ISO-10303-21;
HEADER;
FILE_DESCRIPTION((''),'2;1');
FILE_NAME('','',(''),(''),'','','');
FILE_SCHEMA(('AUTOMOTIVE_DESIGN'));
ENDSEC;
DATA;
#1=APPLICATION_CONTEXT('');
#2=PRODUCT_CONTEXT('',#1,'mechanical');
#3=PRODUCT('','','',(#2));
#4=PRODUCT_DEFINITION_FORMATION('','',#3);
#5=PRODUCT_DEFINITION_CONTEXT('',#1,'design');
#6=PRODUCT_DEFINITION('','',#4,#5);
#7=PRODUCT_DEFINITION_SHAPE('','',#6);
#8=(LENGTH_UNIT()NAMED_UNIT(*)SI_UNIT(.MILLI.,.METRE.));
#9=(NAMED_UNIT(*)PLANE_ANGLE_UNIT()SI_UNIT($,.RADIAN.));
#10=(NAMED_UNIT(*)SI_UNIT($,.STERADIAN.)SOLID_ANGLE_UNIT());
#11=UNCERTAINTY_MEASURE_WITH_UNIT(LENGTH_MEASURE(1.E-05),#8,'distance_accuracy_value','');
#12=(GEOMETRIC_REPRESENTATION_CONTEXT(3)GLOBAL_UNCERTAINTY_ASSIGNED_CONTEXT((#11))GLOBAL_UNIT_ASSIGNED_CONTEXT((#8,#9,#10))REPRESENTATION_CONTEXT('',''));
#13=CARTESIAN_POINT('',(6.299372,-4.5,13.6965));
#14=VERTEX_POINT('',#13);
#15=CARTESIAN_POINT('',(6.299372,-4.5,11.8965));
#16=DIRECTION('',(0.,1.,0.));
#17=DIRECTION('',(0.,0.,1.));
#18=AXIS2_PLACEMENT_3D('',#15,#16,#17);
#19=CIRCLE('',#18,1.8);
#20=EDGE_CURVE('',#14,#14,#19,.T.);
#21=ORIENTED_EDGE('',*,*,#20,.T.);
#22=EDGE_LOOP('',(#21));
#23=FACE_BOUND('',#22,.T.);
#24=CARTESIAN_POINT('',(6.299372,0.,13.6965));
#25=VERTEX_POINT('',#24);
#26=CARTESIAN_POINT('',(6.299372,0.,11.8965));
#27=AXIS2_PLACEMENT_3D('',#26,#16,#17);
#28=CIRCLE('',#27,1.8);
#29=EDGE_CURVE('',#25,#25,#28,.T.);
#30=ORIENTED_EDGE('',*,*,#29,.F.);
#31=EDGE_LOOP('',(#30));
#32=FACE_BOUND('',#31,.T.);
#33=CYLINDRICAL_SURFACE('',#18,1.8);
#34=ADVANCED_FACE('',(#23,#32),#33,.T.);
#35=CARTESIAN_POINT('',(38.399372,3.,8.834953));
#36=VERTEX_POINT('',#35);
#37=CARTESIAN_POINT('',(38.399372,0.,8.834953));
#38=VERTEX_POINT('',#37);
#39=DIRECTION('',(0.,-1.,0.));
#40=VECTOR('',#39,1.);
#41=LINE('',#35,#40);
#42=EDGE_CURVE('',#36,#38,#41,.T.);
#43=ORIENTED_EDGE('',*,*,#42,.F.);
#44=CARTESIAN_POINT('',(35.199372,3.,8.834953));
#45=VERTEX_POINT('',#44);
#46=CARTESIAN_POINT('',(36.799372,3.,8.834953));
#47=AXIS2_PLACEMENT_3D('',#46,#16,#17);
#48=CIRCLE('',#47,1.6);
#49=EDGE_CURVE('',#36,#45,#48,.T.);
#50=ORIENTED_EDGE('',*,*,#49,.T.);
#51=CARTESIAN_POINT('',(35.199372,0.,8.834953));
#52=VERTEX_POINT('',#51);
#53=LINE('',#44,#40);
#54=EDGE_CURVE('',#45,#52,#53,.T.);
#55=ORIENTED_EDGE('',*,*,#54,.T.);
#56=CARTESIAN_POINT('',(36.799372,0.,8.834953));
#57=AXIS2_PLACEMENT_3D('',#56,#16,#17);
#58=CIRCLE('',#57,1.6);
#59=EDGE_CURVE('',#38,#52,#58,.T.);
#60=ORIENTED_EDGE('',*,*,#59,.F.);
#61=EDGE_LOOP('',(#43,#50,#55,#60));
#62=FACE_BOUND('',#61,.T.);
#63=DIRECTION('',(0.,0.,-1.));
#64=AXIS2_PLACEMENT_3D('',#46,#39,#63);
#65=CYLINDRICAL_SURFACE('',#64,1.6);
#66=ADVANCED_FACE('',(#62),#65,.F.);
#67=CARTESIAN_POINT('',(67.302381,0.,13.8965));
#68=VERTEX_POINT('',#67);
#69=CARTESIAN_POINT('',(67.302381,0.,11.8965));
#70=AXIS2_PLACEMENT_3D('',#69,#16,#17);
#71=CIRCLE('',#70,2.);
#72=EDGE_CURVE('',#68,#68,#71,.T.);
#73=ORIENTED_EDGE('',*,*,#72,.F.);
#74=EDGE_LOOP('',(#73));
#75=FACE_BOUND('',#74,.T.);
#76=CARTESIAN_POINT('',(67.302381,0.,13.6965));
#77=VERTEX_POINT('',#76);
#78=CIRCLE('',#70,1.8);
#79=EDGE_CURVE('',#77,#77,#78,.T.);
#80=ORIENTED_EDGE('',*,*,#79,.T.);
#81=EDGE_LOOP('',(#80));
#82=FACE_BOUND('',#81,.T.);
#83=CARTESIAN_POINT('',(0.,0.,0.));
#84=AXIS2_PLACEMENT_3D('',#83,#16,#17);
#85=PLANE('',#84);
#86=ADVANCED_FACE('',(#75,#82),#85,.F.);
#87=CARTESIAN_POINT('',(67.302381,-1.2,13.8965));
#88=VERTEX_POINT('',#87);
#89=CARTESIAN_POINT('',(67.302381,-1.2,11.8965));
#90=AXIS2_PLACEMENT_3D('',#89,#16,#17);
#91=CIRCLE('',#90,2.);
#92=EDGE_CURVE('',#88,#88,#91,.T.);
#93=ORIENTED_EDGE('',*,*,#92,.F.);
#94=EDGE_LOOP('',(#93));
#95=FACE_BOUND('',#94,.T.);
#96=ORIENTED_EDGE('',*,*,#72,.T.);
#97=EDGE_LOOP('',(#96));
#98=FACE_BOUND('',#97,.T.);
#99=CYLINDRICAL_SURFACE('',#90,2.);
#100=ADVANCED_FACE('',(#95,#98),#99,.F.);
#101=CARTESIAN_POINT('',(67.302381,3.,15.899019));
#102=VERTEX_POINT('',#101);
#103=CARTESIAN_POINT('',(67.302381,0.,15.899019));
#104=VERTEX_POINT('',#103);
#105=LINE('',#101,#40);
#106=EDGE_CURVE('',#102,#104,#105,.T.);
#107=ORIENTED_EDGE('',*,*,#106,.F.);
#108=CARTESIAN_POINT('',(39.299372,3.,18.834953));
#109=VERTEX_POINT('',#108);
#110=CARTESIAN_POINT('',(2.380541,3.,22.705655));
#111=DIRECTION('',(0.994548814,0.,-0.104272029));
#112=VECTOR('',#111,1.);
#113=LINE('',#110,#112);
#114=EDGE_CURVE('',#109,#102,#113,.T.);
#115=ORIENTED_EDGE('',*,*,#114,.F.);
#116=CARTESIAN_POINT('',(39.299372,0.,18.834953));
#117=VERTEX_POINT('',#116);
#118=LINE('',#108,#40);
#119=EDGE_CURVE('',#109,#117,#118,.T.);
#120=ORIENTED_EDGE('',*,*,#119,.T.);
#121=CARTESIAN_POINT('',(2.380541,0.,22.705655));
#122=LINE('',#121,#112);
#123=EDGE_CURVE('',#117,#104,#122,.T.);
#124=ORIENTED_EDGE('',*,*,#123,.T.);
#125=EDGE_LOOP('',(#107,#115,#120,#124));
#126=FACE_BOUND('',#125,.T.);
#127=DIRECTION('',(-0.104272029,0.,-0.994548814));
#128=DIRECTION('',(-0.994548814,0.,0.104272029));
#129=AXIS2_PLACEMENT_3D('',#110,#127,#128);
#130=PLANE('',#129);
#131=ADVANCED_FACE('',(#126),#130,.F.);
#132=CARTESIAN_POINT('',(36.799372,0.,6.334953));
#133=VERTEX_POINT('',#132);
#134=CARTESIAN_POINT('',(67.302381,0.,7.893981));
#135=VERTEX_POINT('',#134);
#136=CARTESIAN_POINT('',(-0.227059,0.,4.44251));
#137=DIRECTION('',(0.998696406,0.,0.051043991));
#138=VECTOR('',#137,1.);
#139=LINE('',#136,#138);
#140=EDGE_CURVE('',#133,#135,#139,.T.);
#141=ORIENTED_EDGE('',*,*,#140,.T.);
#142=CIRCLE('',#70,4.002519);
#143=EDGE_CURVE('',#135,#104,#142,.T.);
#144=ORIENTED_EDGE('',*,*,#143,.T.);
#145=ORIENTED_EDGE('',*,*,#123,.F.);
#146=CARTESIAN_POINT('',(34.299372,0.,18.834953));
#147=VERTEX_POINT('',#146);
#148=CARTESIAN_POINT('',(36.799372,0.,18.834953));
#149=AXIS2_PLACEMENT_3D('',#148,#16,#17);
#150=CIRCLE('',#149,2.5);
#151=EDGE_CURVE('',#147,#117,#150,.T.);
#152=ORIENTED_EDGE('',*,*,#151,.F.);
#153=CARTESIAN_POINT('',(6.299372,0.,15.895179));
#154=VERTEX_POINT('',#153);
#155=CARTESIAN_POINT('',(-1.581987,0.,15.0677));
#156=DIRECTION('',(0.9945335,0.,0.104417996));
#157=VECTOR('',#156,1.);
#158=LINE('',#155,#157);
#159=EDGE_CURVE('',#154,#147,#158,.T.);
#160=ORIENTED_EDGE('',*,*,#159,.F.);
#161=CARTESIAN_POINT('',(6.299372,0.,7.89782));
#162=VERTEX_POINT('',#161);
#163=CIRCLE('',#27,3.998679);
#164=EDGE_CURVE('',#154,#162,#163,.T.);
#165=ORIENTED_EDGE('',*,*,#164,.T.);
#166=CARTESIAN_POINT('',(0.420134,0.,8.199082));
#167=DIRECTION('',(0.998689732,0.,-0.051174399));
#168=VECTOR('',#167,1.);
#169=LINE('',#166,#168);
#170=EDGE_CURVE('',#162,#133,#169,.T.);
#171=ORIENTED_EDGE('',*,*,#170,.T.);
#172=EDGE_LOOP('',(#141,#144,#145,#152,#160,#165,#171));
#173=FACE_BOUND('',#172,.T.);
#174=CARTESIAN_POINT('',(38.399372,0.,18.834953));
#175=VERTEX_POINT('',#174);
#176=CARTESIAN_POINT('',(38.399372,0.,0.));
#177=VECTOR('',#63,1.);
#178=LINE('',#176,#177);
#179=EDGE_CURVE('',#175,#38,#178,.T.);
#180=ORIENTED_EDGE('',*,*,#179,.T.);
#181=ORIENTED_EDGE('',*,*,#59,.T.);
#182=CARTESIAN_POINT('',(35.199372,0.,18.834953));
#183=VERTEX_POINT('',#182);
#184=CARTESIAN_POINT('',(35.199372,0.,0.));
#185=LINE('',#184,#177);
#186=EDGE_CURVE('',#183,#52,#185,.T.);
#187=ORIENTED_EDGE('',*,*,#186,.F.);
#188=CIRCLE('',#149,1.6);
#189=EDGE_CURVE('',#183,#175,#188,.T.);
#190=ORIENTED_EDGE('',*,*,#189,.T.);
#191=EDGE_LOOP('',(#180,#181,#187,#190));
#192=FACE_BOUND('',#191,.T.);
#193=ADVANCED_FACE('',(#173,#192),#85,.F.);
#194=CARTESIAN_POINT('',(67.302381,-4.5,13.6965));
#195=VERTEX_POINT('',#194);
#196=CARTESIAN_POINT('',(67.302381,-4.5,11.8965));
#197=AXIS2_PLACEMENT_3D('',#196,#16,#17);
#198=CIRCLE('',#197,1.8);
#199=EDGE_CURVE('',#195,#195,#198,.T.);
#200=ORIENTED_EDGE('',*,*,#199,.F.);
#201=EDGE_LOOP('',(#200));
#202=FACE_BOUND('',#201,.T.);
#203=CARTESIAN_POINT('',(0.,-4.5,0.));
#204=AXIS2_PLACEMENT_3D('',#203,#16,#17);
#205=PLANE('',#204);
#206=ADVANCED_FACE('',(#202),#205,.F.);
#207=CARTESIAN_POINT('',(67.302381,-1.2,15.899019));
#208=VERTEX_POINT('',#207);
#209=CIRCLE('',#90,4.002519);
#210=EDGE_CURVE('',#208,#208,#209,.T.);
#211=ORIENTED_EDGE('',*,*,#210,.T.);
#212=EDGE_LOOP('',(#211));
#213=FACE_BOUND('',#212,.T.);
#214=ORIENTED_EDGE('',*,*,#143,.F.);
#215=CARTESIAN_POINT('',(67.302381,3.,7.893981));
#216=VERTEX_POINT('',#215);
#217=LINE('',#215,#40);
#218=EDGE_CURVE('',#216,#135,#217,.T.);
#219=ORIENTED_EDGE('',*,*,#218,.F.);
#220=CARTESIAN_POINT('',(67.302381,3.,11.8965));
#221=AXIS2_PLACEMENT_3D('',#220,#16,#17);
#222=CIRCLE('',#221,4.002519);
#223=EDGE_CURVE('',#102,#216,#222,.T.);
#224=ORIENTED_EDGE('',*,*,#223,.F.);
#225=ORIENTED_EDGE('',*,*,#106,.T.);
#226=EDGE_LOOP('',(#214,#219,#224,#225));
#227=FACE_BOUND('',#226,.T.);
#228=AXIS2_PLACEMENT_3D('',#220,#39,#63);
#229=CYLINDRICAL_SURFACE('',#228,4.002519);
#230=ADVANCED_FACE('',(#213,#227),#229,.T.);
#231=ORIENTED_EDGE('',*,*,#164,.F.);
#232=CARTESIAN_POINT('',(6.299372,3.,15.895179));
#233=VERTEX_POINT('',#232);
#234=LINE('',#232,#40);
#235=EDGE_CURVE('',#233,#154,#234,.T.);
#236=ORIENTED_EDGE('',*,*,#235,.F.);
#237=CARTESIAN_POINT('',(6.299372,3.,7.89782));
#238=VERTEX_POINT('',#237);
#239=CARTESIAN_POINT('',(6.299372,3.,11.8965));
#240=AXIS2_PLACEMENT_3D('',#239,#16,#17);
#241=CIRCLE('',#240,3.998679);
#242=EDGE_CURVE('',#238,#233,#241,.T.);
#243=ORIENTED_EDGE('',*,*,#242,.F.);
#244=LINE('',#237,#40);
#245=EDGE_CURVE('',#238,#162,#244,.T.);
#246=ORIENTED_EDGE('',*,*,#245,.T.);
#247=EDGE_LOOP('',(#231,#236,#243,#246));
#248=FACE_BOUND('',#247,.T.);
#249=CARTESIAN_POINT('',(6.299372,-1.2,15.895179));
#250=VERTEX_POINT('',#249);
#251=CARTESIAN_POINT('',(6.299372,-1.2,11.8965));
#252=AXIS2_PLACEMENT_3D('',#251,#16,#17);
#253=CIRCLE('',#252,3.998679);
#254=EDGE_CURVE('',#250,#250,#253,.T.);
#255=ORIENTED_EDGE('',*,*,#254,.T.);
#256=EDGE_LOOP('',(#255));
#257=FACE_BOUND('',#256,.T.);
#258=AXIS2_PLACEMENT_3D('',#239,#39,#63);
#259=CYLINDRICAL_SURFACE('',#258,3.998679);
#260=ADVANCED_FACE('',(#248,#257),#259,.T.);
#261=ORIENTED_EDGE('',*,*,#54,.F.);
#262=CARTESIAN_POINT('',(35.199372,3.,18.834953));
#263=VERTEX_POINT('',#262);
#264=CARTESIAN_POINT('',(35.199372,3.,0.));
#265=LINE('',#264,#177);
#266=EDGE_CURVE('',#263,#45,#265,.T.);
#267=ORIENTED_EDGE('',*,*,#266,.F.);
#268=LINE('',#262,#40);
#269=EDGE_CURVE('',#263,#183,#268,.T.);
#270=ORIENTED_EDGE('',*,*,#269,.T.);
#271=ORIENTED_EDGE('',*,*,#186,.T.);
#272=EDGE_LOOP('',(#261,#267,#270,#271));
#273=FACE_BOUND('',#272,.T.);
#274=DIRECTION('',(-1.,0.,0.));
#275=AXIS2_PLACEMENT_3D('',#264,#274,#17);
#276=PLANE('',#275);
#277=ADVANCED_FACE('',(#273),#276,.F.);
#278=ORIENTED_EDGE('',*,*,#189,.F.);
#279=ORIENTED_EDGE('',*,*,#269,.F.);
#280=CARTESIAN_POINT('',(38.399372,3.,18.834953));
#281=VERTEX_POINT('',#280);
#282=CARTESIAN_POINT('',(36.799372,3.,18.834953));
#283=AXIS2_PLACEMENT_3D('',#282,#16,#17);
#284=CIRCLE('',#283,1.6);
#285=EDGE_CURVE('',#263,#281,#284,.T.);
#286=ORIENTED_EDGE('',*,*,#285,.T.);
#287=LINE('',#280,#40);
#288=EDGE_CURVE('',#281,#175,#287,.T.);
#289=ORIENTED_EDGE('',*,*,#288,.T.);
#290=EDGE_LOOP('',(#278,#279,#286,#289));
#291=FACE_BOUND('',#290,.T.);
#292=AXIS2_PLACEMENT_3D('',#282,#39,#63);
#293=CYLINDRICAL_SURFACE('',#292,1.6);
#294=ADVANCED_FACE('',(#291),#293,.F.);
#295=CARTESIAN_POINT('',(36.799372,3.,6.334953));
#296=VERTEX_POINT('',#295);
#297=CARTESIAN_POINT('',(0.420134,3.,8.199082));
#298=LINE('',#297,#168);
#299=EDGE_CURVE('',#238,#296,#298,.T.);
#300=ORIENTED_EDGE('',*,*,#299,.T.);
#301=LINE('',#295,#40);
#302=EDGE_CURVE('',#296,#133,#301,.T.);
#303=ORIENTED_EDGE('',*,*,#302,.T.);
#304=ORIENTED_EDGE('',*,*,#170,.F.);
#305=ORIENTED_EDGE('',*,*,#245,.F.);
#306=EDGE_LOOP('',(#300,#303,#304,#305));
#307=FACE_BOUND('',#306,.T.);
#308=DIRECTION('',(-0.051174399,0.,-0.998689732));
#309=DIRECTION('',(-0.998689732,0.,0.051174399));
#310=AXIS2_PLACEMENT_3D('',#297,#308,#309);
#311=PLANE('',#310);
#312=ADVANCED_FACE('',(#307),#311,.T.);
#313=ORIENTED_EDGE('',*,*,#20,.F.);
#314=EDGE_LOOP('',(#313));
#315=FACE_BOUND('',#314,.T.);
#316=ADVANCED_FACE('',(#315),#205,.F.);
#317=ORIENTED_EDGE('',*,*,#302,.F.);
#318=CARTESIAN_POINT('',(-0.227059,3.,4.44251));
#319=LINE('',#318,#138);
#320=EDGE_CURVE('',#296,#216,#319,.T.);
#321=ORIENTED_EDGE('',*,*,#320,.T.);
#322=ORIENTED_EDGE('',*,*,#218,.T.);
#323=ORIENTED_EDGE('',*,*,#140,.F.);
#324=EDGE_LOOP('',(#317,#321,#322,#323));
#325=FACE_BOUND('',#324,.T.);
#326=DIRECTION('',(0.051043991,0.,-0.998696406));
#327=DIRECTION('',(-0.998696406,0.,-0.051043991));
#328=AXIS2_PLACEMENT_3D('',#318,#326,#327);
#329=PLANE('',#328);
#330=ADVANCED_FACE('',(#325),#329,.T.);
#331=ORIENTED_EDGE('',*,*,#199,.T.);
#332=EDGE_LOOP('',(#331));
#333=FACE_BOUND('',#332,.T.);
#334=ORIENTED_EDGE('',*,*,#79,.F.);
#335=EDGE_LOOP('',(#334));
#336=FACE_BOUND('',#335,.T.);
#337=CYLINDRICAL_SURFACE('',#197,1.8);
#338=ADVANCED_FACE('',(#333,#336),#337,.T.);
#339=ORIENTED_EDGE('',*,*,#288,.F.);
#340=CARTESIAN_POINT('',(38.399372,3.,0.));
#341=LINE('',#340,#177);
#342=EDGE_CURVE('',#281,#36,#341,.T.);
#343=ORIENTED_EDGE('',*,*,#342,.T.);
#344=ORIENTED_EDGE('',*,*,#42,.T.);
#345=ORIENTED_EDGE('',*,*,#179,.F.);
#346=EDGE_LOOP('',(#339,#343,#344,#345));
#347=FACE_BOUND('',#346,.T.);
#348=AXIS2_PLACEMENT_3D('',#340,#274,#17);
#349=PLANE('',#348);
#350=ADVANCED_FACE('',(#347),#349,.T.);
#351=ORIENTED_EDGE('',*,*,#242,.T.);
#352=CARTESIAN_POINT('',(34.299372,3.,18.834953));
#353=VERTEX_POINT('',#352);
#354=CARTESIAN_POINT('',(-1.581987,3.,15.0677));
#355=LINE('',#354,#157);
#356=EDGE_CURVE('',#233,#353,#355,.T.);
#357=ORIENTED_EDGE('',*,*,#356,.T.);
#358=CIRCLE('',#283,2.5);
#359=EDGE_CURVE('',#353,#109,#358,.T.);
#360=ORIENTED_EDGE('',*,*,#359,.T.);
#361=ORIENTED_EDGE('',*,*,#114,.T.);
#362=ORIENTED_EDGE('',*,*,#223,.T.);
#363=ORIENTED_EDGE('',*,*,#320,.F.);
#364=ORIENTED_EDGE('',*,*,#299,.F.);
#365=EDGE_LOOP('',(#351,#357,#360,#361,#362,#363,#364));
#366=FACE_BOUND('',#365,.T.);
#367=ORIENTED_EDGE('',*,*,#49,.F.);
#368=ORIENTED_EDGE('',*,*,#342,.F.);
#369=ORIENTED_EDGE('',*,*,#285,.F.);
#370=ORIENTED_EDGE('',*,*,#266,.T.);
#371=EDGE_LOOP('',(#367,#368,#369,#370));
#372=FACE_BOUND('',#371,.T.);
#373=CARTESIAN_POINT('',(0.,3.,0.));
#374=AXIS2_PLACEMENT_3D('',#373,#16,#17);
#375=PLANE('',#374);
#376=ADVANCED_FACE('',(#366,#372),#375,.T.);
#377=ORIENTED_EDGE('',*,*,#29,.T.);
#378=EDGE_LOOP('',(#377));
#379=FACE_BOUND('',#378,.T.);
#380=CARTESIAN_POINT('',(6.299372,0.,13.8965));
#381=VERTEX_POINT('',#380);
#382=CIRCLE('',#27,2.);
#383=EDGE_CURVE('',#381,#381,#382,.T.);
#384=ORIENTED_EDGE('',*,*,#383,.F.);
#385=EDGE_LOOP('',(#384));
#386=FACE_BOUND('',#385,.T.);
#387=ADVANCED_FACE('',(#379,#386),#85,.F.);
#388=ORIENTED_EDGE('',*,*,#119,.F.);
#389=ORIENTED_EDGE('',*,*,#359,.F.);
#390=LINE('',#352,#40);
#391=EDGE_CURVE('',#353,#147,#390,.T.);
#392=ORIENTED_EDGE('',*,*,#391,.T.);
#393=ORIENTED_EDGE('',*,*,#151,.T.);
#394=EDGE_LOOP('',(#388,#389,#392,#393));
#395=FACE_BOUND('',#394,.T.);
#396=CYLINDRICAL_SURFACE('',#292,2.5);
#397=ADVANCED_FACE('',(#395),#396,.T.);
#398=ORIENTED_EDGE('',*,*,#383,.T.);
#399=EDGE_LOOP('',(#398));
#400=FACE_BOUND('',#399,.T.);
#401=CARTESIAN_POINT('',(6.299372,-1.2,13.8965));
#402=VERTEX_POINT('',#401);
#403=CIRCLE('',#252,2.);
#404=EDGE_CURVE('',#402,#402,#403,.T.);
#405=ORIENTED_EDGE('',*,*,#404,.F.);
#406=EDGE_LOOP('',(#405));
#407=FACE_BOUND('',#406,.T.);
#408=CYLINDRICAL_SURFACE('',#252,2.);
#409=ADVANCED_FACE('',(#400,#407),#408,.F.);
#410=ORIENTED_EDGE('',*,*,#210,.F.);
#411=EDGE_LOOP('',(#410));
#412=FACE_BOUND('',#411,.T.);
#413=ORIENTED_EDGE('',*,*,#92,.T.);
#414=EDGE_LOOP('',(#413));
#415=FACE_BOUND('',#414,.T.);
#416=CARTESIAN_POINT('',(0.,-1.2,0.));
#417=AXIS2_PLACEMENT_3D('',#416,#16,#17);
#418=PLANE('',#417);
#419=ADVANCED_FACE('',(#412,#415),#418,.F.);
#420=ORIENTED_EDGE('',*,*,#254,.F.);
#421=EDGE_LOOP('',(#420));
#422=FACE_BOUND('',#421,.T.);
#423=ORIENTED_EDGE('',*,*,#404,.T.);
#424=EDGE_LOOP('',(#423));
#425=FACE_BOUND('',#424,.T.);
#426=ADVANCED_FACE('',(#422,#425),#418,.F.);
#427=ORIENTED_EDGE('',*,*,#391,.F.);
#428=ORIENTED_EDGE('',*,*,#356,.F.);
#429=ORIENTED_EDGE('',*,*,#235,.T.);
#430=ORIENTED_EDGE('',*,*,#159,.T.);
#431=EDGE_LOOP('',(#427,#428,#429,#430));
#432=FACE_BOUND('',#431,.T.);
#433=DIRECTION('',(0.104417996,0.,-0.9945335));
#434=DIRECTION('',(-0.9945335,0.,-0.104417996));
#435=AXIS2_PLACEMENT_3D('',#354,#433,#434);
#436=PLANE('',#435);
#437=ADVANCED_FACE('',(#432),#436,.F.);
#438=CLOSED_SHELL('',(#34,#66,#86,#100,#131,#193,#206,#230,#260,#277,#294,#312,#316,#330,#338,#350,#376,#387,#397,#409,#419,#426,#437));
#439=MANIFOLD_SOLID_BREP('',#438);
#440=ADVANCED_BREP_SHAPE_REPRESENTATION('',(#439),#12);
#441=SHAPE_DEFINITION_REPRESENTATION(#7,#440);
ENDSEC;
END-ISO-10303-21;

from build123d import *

# Parameters (mm, degrees)
BOSS_EXTRUDE1_DEPTH = 3
SKETCH1_3_R         = 1.8
BOSS_EXTRUDE2_DEPTH = 4.5
BOSS_EXTRUDE3_START = -1.2
SKETCH1_4_R         = 3.998679456
SKETCH1_4_R_2       = 2
SKETCH1_4_R_3       = 4.002518736
BOSS_EXTRUDE3_DEPTH = 1.2


with BuildPart() as part:
    # Sketch1 → Boss-Extrude1 (new body)
    with BuildSketch(Plane(origin=(0, 0, 0), x_dir=(1, 0, 0), z_dir=(0, 1, 0))):
        with BuildLine():
            Line((6.299371737, -15.895179228), (34.299371737, -18.834953384))
            ThreePointArc((34.299371737, -18.834953384), (36.799371737, -21.334953384), (39.299371737, -18.834953384))
            Line((39.299371737, -18.834953384), (67.302380501, -15.899018508))
            ThreePointArc((67.302380501, -15.899018508), (71.304899237, -11.896499772), (67.302380501, -7.893981036))
            Line((67.302380501, -7.893981036), (36.799371737, -6.334953384))
            Line((36.799371737, -6.334953384), (6.299371737, -7.897820316))
            ThreePointArc((6.299371737, -7.897820316), (2.300692281, -11.896499772), (6.299371737, -15.895179228))
        make_face()
        with BuildLine():
            ThreePointArc((35.199371737, -8.834953384), (36.799371737, -7.234953384), (38.399371737, -8.834953384))
            Line((38.399371737, -8.834953384), (38.399371737, -18.834953384))
            ThreePointArc((38.399371737, -18.834953384), (36.799371737, -20.434953384), (35.199371737, -18.834953384))
            Line((35.199371737, -18.834953384), (35.199371737, -8.834953384))
        make_face(mode=Mode.SUBTRACT)
    extrude(amount=BOSS_EXTRUDE1_DEPTH)

    # Sketch1<3> → Boss-Extrude2 (add)
    with BuildSketch(Plane(origin=(0, 0, 0), x_dir=(1, 0, 0), z_dir=(0, 1, 0))):
        with Locations((67.302380501, -11.896499772)):
            Circle(SKETCH1_3_R)
        with Locations((6.299371737, -11.896499772)):
            Circle(SKETCH1_3_R)
    extrude(amount=-BOSS_EXTRUDE2_DEPTH)

    # Sketch1<4> → Boss-Extrude3 (add)
    # profile 1 of 2: a face of its own
    with BuildSketch(Plane(origin=(0, 0, 0), x_dir=(1, 0, 0), z_dir=(0, 1, 0)).offset(BOSS_EXTRUDE3_START)):
        with Locations((6.299371737, -11.896499772)):
            Circle(SKETCH1_4_R)
        with Locations((6.299371737, -11.896499772)):
            Circle(SKETCH1_4_R_2, mode=Mode.SUBTRACT)
    # profile 2 of 2: a face of its own
    with BuildSketch(Plane(origin=(0, 0, 0), x_dir=(1, 0, 0), z_dir=(0, 1, 0)).offset(BOSS_EXTRUDE3_START)):
        with Locations((67.302380501, -11.896499772)):
            Circle(SKETCH1_4_R_3)
        with Locations((67.302380501, -11.896499772)):
            Circle(SKETCH1_4_R_2, mode=Mode.SUBTRACT)
    extrude(amount=BOSS_EXTRUDE3_DEPTH)


solid = part.part
